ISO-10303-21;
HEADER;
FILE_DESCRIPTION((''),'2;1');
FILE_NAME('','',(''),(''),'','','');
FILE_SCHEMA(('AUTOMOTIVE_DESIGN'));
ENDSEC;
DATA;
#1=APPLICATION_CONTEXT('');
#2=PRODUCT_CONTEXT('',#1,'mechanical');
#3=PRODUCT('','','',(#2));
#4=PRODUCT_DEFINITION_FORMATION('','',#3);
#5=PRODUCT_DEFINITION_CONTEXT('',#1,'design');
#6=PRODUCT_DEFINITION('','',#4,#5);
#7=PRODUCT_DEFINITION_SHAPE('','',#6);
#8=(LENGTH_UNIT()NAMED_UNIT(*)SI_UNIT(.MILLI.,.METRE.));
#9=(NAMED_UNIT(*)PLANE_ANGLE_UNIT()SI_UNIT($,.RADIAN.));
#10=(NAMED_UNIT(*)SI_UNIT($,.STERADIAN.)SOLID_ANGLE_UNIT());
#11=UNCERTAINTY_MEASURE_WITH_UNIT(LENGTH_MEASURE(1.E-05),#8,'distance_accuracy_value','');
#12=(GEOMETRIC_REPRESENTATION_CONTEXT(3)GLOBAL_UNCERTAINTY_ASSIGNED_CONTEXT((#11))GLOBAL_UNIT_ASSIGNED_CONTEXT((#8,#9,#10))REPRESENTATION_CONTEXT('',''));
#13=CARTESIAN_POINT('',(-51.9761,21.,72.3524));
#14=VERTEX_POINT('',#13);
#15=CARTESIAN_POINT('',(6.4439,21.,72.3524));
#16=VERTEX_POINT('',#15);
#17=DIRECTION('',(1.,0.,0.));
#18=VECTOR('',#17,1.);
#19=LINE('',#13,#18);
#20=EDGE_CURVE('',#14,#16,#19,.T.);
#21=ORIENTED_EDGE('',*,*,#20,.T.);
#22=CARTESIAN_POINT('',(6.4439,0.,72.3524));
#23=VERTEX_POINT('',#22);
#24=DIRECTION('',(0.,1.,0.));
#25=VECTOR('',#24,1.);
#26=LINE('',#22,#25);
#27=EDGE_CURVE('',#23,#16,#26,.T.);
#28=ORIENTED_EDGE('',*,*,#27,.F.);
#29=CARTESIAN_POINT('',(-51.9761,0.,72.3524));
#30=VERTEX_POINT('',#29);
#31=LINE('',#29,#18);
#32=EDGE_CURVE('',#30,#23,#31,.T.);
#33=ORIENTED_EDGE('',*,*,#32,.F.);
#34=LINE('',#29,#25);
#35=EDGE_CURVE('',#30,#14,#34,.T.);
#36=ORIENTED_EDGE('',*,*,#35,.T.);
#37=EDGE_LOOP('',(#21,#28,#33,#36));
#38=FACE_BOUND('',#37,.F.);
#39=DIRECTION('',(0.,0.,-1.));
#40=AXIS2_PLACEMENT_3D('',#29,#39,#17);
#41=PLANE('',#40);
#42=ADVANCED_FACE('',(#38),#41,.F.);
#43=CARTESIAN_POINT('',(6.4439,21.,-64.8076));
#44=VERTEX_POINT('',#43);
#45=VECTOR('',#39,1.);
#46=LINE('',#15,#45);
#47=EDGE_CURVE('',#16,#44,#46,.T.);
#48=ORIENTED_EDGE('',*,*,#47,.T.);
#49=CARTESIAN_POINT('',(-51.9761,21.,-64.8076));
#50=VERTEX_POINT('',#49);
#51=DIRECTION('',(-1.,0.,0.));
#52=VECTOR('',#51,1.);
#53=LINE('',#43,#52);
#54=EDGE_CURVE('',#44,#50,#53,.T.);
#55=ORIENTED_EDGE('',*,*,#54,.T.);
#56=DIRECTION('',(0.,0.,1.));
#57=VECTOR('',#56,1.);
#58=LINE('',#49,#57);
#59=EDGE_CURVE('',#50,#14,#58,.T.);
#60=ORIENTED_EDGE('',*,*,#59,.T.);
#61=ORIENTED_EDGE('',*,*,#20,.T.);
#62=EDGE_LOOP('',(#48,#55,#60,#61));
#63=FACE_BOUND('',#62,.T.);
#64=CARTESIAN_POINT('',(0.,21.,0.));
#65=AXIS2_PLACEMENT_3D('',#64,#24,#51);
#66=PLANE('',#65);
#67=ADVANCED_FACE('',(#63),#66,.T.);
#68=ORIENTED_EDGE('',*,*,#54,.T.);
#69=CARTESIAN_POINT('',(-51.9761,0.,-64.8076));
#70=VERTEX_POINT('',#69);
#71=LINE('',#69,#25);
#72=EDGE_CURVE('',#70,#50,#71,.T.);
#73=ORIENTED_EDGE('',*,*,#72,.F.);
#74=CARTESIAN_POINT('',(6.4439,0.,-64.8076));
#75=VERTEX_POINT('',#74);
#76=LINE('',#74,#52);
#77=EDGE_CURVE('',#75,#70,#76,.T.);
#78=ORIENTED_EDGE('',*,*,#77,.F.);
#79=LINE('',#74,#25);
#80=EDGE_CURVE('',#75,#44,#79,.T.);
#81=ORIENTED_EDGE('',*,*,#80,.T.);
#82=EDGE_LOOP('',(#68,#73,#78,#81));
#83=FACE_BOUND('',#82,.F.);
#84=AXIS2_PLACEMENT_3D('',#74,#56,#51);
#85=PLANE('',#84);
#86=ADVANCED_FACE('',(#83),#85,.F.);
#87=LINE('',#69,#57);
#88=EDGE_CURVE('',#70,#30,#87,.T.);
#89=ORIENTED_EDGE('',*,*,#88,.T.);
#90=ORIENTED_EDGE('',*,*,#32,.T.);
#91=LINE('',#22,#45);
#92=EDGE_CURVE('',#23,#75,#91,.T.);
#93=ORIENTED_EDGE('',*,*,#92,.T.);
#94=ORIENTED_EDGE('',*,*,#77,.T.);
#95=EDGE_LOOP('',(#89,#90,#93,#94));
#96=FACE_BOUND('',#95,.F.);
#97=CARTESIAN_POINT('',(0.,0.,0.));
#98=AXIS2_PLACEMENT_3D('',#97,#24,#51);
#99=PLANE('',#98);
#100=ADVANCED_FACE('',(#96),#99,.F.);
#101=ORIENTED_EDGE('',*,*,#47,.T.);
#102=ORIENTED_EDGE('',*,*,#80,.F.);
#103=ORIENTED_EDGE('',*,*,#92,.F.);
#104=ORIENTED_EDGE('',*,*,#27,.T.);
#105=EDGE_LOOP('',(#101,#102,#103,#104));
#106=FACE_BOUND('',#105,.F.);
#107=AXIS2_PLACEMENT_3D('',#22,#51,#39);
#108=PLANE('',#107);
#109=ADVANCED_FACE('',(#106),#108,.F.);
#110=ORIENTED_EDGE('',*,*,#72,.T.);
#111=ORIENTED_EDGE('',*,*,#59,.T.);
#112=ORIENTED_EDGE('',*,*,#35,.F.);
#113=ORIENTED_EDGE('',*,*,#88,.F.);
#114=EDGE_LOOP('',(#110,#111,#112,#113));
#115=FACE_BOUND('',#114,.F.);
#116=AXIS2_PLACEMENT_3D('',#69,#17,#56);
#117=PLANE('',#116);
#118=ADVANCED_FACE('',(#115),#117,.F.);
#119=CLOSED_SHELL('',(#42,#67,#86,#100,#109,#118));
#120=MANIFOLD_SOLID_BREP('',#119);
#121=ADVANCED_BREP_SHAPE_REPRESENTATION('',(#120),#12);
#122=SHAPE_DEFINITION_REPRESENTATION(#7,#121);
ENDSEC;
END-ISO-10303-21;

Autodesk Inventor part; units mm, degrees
ref_plane "YZ Plane" through (0, 0, 0) normal (1, 0, 0) x (0, 1, 0)
ref_plane "XZ Plane" through (0, 0, 0) normal (0, 1, 0) x (-1, 0, 0)
ref_plane "XY Plane" through (0, 0, 0) normal (0, 0, 1) x (1, 0, 0)
sketch "Sketch1" plane through (0, 0, 0) normal (0, 1, 0) x (-1, 0, 0)
  line L0 (51.9761, 72.3524) -> (-6.4439, 72.3524)
  line L1 (-6.4439, 72.3524) -> (-6.4439, -64.8076)
  line L2 (-6.4439, -64.8076) -> (51.9761, -64.8076)
  line L3 (51.9761, -64.8076) -> (51.9761, 72.3524)
  point P0 (0, 0)
  dimension "d0" = 137.16
  dimension "d1" = 58.42
extrude "Extrusion1" add sketch "Sketch1" along normal blind 21
properties part number "battery pack"
